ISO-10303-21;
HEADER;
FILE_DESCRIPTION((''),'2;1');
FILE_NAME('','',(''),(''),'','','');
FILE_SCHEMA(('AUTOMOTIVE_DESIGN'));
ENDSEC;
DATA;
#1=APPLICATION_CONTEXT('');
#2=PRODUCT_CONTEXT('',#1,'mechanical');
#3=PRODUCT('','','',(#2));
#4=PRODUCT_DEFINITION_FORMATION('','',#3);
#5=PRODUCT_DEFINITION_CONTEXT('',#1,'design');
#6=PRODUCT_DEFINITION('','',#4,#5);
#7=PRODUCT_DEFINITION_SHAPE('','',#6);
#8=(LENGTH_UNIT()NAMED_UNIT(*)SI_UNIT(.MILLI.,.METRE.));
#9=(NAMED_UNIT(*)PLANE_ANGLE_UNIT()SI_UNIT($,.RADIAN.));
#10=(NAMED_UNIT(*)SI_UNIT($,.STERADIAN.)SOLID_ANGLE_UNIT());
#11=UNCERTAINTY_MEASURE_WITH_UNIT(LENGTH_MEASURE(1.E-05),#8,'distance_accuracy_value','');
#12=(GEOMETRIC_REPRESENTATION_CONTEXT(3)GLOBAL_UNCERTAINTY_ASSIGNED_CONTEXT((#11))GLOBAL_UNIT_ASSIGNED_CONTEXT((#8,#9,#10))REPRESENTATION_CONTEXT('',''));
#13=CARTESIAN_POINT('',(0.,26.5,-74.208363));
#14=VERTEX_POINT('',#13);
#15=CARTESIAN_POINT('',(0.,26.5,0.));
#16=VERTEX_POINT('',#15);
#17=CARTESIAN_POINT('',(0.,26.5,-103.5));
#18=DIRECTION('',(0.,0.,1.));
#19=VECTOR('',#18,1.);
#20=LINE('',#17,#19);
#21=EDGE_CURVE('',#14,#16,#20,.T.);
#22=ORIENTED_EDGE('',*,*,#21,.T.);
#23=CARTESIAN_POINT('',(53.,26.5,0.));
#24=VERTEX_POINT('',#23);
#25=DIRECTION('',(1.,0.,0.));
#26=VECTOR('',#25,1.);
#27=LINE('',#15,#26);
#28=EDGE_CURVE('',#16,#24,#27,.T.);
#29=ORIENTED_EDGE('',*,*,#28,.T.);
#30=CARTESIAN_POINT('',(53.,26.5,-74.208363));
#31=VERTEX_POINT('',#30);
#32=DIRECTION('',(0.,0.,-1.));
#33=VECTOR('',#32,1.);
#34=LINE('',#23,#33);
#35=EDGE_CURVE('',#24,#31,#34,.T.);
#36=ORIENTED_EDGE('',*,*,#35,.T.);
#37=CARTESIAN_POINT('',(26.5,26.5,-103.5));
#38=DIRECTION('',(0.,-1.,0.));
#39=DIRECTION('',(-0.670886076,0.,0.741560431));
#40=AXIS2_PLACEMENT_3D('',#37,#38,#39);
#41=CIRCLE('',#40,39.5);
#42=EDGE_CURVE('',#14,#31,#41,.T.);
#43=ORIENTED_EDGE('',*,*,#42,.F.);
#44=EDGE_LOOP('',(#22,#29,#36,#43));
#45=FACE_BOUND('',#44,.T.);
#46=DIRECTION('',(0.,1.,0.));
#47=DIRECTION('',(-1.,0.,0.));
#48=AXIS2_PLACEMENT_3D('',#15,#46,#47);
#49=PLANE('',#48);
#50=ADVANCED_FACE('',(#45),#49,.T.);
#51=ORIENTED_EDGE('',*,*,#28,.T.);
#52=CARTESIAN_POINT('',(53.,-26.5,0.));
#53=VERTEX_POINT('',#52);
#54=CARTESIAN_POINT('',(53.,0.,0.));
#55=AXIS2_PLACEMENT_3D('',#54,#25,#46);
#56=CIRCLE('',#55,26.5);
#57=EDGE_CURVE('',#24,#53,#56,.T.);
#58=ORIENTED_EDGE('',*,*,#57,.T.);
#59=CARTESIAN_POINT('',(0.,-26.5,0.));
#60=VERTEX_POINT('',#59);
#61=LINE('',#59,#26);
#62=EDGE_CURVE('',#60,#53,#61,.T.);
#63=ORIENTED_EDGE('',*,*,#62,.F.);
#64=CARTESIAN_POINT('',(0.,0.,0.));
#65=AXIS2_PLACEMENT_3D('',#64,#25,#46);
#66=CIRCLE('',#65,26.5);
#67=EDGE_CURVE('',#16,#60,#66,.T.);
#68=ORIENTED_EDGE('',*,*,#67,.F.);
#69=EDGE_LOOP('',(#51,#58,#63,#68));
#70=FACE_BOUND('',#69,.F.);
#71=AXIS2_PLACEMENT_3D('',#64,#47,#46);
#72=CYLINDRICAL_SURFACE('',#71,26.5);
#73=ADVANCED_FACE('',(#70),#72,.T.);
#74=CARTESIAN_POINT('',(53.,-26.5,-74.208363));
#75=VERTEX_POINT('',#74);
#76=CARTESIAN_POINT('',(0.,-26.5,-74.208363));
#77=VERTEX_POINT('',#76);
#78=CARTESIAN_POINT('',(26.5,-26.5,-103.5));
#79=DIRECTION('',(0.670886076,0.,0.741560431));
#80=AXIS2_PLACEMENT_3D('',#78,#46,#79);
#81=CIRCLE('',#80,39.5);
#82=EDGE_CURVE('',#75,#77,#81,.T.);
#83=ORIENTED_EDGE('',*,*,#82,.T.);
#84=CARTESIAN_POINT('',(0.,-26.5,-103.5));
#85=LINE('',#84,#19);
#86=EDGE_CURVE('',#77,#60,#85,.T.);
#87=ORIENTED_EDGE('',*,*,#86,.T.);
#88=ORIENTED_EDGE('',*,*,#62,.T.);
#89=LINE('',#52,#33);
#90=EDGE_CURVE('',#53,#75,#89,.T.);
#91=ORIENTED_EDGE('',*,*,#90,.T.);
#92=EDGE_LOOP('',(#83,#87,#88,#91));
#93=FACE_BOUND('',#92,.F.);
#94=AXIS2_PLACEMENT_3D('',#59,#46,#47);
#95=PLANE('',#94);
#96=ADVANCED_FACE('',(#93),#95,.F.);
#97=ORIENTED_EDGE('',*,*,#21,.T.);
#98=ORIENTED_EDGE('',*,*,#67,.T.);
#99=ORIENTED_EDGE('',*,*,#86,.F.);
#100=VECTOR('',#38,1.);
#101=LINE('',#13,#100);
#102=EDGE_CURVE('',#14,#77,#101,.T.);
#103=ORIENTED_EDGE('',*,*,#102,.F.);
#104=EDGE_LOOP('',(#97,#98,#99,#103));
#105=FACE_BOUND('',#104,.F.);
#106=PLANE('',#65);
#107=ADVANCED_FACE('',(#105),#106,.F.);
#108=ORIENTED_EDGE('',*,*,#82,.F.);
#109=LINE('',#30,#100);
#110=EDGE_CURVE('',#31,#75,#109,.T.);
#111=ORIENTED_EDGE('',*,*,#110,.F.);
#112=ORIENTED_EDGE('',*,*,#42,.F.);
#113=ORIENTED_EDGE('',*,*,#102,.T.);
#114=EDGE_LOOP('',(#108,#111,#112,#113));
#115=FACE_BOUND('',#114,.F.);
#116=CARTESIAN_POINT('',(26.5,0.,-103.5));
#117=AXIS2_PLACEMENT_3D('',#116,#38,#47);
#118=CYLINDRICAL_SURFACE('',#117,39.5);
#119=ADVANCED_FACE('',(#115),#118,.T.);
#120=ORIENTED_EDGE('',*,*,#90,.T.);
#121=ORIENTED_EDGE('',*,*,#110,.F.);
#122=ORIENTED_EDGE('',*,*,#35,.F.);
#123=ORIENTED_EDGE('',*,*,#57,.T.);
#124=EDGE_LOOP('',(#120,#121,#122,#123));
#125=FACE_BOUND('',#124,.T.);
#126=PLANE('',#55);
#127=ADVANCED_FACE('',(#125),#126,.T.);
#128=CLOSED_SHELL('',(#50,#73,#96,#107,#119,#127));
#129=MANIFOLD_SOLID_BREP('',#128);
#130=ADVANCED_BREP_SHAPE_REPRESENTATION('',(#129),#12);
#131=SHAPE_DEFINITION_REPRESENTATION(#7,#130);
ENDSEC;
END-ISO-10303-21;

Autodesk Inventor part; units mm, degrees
ref_plane "YZ Plane" through (0, 0, 0) normal (1, 0, 0) x (0, 1, 0)
ref_plane "XZ Plane" through (0, 0, 0) normal (0, 1, 0) x (-1, 0, 0)
ref_plane "XY Plane" through (0, 0, 0) normal (0, 0, 1) x (1, 0, 0)
sketch "Sketch1" plane through (0, 0, 0) normal (0, 1, 0) x (-1, 0, 0)
  line L0 (0, 0) -> (-53, 0)
  line L1 (-53, 0) -> (-53, -103.5)
  line L2 (-53, -103.5) -> (0, -103.5)
  line L3 (0, -103.5) -> (0, 0)
  circle A0 centre (-26.5, -103.5) radius 39.5
  point P0 (-53, -74.2084)
  point P1 (0, -74.2084)
  dimension "d0" = 53
  dimension "d1" = 79
  dimension "d14" = 103.5
extrude "Extrusion1" add sketch "Sketch1" along normal mid plane 53
sketch "Sketch2" plane through (0, 0, 0) normal (1, 0, 0) x (0, 1, 0)
  line L0 (-26.5, 0) -> (26.5, 0) projected
  circle A0 centre (0, 0) radius 26.5
extrude "Extrusion2" add sketch "Sketch2" along normal up to surface (53 mm away) contours A0 L0 picked at (8.0782, 6.219)
properties part number "thigh_inventor"
